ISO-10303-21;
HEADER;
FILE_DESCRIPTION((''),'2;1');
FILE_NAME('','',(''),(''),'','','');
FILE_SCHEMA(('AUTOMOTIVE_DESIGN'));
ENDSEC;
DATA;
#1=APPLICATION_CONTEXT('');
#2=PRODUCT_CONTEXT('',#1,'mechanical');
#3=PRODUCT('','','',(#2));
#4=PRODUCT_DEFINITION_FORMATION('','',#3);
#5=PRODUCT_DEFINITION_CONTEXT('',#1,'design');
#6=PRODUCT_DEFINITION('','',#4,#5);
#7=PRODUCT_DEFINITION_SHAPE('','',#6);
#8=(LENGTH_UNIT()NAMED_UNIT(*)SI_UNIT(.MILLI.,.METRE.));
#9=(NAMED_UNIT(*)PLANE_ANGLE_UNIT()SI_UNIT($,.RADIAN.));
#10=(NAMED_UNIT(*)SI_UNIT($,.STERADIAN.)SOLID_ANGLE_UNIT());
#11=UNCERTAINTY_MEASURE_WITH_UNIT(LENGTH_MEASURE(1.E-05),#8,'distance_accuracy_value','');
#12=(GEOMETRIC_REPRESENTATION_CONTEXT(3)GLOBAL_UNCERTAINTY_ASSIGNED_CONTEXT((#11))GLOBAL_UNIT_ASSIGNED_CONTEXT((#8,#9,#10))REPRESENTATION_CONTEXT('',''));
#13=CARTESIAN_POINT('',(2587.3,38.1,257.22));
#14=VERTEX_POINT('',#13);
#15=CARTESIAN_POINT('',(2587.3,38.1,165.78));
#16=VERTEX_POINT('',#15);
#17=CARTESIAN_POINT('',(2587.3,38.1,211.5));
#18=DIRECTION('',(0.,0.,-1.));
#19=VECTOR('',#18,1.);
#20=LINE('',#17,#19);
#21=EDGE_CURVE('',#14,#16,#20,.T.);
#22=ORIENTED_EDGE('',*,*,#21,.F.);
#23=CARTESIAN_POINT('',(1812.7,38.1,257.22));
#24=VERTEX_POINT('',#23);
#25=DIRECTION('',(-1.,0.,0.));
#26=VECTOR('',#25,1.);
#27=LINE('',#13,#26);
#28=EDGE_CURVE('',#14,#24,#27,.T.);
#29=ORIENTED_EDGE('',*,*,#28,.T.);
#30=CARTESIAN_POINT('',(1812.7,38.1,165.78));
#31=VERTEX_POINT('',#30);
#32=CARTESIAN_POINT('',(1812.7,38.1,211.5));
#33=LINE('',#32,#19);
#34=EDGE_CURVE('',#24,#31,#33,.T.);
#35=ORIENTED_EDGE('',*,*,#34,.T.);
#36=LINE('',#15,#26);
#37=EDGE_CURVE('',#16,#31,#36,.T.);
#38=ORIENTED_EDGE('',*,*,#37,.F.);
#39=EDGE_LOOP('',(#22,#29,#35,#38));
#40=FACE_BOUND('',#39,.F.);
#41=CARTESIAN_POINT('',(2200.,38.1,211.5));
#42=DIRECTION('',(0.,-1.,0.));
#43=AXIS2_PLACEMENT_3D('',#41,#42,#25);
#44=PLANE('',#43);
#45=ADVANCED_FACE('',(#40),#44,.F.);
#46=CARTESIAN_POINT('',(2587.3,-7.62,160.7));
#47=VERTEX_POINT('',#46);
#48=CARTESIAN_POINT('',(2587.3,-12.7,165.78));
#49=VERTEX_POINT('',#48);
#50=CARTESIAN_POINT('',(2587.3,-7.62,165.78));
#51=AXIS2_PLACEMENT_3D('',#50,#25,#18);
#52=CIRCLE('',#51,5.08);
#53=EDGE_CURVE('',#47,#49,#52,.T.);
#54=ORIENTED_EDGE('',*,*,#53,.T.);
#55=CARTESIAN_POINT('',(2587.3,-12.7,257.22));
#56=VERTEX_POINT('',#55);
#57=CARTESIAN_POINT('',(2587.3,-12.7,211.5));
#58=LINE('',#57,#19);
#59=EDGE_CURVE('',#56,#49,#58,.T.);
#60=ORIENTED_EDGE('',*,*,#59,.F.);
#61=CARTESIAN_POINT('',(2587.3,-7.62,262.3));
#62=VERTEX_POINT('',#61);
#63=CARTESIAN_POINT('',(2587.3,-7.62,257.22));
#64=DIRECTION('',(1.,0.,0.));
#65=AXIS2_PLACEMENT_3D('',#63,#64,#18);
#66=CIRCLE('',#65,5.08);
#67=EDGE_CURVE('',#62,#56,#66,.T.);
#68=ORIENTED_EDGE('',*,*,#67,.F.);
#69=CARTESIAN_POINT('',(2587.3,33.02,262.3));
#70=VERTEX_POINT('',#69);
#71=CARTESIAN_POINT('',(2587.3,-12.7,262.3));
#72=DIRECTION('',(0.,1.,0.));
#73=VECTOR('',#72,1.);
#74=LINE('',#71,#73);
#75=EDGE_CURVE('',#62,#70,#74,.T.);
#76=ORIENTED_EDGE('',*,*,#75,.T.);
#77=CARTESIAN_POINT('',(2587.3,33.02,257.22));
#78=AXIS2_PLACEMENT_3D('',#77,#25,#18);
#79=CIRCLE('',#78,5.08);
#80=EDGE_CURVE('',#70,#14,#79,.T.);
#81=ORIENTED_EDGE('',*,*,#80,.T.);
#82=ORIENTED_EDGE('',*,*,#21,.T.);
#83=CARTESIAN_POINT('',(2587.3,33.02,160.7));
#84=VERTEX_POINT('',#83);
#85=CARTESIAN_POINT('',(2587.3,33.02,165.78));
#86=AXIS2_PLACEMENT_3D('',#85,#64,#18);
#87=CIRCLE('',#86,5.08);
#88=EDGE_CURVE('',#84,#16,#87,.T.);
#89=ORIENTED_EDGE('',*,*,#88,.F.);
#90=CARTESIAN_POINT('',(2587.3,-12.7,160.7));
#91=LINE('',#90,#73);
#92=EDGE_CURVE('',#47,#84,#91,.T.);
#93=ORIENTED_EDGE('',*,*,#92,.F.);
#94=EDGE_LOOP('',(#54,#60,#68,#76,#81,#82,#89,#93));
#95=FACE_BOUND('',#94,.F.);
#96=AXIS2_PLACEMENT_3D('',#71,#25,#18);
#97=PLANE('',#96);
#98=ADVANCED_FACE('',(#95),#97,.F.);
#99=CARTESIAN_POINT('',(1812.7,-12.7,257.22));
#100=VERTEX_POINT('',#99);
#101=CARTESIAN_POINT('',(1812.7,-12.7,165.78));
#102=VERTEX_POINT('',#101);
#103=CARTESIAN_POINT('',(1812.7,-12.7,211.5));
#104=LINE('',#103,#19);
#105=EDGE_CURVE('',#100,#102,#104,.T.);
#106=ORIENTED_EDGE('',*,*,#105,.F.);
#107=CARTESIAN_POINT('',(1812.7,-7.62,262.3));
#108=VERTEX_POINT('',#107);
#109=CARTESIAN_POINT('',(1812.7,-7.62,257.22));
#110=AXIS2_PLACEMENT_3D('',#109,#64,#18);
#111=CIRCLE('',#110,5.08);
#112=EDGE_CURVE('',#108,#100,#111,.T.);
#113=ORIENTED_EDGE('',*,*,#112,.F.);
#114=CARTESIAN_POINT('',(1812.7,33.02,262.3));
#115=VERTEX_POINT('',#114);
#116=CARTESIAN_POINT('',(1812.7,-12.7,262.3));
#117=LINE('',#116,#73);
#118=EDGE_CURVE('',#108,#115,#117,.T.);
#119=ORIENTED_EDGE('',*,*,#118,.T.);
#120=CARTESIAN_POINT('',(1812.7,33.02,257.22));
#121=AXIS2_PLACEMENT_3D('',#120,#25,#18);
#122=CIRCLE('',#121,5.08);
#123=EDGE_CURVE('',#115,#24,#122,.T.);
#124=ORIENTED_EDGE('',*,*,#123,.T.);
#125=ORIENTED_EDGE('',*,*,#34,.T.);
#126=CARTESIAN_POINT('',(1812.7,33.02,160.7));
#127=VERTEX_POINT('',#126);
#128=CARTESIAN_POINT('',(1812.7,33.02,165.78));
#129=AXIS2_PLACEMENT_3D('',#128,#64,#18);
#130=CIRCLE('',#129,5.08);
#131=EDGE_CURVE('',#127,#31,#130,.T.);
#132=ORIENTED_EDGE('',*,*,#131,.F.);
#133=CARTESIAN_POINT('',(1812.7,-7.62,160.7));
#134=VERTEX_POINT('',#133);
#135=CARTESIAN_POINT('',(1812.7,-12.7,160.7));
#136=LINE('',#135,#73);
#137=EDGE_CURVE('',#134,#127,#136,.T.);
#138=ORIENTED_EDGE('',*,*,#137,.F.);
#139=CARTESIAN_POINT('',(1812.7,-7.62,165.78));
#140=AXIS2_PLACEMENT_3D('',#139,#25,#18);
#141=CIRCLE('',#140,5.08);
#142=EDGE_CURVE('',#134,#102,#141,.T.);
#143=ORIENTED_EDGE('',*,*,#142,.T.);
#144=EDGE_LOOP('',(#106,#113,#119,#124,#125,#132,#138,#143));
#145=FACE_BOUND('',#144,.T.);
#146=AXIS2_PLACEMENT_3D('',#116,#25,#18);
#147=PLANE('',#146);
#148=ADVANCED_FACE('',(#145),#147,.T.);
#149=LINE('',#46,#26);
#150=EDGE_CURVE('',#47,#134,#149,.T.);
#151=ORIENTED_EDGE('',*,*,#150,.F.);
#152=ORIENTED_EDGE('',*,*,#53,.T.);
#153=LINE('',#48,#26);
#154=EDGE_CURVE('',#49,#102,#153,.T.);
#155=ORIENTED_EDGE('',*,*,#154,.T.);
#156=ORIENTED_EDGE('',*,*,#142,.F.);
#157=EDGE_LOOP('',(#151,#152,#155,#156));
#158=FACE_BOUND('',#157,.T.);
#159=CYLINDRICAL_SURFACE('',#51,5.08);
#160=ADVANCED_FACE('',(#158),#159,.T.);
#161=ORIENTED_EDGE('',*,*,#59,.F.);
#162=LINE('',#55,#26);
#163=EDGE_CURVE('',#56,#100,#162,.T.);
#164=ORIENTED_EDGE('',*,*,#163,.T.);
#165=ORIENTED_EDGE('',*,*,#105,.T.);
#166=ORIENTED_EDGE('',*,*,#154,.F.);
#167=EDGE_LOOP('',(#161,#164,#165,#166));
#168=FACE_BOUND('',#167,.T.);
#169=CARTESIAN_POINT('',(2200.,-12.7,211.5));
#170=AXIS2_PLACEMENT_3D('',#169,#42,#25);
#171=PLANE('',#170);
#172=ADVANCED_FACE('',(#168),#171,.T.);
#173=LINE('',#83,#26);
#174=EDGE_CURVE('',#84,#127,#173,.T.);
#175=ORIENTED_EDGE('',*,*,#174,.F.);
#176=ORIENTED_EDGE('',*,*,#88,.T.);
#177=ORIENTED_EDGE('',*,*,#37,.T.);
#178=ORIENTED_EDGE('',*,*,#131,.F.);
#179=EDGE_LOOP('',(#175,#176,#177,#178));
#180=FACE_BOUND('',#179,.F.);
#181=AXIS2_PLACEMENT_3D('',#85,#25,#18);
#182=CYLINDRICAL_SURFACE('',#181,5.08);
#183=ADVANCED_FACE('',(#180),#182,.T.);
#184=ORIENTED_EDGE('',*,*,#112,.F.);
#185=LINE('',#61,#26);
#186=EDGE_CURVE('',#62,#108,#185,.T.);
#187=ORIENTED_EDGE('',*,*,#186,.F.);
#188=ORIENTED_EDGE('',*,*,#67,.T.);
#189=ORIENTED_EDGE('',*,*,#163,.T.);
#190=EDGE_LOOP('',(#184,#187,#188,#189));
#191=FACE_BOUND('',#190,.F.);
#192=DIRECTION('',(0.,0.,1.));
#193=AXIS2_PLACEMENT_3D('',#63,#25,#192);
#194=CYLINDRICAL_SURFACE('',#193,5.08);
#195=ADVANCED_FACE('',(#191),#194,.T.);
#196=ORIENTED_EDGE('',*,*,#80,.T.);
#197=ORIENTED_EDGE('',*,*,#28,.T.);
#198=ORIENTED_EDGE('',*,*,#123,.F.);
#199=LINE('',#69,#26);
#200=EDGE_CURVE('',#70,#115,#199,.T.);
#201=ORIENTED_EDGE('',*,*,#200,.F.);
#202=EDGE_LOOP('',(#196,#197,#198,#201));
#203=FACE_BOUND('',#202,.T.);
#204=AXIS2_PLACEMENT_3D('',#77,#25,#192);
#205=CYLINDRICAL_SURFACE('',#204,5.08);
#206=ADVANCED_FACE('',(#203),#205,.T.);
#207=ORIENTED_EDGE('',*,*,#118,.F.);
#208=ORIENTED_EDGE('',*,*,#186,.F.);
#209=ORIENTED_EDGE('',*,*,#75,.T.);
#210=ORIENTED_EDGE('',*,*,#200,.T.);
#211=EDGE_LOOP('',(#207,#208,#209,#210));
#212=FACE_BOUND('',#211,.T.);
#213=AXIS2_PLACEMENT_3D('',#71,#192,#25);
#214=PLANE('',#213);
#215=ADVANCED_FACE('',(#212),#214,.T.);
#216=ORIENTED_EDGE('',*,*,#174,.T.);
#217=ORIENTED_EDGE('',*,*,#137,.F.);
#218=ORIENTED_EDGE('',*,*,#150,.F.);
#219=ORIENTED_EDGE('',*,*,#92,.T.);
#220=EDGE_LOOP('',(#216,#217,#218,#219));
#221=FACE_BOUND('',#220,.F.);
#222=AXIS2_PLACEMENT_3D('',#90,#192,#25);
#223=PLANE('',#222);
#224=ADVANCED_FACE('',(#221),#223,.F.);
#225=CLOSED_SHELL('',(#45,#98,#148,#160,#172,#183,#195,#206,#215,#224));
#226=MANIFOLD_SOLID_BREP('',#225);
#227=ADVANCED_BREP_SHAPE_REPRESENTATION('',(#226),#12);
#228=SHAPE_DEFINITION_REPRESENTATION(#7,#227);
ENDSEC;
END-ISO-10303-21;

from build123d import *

# Parameters (mm, degrees)
SKETCH1_W           = 774.6
SKETCH1_H           = 101.6
BOSS_EXTRUDE1_DEPTH = 50.8
FILLET1_R           = 5.08


with BuildPart() as part:
    # Sketch1 → Boss-Extrude1 (new body)
    with BuildSketch(Plane(origin=(0, -12.7, 0), x_dir=(-1, 0, 0), z_dir=(0, -1, 0))):
        with Locations((-2200, -211.5)):
            Rectangle(SKETCH1_W, SKETCH1_H)
    extrude(amount=-BOSS_EXTRUDE1_DEPTH)

    # Fillet1
    fillet1_edges = [part.edges().sort_by_distance(p)[0] for p in [
        (2200, 38.1, 160.7),
        (2200, -12.7, 160.7),
        (2200, -12.7, 262.3),
        (2200, 38.1, 262.3),
    ]]
    fillet(fillet1_edges, radius=FILLET1_R)


solid = part.part
